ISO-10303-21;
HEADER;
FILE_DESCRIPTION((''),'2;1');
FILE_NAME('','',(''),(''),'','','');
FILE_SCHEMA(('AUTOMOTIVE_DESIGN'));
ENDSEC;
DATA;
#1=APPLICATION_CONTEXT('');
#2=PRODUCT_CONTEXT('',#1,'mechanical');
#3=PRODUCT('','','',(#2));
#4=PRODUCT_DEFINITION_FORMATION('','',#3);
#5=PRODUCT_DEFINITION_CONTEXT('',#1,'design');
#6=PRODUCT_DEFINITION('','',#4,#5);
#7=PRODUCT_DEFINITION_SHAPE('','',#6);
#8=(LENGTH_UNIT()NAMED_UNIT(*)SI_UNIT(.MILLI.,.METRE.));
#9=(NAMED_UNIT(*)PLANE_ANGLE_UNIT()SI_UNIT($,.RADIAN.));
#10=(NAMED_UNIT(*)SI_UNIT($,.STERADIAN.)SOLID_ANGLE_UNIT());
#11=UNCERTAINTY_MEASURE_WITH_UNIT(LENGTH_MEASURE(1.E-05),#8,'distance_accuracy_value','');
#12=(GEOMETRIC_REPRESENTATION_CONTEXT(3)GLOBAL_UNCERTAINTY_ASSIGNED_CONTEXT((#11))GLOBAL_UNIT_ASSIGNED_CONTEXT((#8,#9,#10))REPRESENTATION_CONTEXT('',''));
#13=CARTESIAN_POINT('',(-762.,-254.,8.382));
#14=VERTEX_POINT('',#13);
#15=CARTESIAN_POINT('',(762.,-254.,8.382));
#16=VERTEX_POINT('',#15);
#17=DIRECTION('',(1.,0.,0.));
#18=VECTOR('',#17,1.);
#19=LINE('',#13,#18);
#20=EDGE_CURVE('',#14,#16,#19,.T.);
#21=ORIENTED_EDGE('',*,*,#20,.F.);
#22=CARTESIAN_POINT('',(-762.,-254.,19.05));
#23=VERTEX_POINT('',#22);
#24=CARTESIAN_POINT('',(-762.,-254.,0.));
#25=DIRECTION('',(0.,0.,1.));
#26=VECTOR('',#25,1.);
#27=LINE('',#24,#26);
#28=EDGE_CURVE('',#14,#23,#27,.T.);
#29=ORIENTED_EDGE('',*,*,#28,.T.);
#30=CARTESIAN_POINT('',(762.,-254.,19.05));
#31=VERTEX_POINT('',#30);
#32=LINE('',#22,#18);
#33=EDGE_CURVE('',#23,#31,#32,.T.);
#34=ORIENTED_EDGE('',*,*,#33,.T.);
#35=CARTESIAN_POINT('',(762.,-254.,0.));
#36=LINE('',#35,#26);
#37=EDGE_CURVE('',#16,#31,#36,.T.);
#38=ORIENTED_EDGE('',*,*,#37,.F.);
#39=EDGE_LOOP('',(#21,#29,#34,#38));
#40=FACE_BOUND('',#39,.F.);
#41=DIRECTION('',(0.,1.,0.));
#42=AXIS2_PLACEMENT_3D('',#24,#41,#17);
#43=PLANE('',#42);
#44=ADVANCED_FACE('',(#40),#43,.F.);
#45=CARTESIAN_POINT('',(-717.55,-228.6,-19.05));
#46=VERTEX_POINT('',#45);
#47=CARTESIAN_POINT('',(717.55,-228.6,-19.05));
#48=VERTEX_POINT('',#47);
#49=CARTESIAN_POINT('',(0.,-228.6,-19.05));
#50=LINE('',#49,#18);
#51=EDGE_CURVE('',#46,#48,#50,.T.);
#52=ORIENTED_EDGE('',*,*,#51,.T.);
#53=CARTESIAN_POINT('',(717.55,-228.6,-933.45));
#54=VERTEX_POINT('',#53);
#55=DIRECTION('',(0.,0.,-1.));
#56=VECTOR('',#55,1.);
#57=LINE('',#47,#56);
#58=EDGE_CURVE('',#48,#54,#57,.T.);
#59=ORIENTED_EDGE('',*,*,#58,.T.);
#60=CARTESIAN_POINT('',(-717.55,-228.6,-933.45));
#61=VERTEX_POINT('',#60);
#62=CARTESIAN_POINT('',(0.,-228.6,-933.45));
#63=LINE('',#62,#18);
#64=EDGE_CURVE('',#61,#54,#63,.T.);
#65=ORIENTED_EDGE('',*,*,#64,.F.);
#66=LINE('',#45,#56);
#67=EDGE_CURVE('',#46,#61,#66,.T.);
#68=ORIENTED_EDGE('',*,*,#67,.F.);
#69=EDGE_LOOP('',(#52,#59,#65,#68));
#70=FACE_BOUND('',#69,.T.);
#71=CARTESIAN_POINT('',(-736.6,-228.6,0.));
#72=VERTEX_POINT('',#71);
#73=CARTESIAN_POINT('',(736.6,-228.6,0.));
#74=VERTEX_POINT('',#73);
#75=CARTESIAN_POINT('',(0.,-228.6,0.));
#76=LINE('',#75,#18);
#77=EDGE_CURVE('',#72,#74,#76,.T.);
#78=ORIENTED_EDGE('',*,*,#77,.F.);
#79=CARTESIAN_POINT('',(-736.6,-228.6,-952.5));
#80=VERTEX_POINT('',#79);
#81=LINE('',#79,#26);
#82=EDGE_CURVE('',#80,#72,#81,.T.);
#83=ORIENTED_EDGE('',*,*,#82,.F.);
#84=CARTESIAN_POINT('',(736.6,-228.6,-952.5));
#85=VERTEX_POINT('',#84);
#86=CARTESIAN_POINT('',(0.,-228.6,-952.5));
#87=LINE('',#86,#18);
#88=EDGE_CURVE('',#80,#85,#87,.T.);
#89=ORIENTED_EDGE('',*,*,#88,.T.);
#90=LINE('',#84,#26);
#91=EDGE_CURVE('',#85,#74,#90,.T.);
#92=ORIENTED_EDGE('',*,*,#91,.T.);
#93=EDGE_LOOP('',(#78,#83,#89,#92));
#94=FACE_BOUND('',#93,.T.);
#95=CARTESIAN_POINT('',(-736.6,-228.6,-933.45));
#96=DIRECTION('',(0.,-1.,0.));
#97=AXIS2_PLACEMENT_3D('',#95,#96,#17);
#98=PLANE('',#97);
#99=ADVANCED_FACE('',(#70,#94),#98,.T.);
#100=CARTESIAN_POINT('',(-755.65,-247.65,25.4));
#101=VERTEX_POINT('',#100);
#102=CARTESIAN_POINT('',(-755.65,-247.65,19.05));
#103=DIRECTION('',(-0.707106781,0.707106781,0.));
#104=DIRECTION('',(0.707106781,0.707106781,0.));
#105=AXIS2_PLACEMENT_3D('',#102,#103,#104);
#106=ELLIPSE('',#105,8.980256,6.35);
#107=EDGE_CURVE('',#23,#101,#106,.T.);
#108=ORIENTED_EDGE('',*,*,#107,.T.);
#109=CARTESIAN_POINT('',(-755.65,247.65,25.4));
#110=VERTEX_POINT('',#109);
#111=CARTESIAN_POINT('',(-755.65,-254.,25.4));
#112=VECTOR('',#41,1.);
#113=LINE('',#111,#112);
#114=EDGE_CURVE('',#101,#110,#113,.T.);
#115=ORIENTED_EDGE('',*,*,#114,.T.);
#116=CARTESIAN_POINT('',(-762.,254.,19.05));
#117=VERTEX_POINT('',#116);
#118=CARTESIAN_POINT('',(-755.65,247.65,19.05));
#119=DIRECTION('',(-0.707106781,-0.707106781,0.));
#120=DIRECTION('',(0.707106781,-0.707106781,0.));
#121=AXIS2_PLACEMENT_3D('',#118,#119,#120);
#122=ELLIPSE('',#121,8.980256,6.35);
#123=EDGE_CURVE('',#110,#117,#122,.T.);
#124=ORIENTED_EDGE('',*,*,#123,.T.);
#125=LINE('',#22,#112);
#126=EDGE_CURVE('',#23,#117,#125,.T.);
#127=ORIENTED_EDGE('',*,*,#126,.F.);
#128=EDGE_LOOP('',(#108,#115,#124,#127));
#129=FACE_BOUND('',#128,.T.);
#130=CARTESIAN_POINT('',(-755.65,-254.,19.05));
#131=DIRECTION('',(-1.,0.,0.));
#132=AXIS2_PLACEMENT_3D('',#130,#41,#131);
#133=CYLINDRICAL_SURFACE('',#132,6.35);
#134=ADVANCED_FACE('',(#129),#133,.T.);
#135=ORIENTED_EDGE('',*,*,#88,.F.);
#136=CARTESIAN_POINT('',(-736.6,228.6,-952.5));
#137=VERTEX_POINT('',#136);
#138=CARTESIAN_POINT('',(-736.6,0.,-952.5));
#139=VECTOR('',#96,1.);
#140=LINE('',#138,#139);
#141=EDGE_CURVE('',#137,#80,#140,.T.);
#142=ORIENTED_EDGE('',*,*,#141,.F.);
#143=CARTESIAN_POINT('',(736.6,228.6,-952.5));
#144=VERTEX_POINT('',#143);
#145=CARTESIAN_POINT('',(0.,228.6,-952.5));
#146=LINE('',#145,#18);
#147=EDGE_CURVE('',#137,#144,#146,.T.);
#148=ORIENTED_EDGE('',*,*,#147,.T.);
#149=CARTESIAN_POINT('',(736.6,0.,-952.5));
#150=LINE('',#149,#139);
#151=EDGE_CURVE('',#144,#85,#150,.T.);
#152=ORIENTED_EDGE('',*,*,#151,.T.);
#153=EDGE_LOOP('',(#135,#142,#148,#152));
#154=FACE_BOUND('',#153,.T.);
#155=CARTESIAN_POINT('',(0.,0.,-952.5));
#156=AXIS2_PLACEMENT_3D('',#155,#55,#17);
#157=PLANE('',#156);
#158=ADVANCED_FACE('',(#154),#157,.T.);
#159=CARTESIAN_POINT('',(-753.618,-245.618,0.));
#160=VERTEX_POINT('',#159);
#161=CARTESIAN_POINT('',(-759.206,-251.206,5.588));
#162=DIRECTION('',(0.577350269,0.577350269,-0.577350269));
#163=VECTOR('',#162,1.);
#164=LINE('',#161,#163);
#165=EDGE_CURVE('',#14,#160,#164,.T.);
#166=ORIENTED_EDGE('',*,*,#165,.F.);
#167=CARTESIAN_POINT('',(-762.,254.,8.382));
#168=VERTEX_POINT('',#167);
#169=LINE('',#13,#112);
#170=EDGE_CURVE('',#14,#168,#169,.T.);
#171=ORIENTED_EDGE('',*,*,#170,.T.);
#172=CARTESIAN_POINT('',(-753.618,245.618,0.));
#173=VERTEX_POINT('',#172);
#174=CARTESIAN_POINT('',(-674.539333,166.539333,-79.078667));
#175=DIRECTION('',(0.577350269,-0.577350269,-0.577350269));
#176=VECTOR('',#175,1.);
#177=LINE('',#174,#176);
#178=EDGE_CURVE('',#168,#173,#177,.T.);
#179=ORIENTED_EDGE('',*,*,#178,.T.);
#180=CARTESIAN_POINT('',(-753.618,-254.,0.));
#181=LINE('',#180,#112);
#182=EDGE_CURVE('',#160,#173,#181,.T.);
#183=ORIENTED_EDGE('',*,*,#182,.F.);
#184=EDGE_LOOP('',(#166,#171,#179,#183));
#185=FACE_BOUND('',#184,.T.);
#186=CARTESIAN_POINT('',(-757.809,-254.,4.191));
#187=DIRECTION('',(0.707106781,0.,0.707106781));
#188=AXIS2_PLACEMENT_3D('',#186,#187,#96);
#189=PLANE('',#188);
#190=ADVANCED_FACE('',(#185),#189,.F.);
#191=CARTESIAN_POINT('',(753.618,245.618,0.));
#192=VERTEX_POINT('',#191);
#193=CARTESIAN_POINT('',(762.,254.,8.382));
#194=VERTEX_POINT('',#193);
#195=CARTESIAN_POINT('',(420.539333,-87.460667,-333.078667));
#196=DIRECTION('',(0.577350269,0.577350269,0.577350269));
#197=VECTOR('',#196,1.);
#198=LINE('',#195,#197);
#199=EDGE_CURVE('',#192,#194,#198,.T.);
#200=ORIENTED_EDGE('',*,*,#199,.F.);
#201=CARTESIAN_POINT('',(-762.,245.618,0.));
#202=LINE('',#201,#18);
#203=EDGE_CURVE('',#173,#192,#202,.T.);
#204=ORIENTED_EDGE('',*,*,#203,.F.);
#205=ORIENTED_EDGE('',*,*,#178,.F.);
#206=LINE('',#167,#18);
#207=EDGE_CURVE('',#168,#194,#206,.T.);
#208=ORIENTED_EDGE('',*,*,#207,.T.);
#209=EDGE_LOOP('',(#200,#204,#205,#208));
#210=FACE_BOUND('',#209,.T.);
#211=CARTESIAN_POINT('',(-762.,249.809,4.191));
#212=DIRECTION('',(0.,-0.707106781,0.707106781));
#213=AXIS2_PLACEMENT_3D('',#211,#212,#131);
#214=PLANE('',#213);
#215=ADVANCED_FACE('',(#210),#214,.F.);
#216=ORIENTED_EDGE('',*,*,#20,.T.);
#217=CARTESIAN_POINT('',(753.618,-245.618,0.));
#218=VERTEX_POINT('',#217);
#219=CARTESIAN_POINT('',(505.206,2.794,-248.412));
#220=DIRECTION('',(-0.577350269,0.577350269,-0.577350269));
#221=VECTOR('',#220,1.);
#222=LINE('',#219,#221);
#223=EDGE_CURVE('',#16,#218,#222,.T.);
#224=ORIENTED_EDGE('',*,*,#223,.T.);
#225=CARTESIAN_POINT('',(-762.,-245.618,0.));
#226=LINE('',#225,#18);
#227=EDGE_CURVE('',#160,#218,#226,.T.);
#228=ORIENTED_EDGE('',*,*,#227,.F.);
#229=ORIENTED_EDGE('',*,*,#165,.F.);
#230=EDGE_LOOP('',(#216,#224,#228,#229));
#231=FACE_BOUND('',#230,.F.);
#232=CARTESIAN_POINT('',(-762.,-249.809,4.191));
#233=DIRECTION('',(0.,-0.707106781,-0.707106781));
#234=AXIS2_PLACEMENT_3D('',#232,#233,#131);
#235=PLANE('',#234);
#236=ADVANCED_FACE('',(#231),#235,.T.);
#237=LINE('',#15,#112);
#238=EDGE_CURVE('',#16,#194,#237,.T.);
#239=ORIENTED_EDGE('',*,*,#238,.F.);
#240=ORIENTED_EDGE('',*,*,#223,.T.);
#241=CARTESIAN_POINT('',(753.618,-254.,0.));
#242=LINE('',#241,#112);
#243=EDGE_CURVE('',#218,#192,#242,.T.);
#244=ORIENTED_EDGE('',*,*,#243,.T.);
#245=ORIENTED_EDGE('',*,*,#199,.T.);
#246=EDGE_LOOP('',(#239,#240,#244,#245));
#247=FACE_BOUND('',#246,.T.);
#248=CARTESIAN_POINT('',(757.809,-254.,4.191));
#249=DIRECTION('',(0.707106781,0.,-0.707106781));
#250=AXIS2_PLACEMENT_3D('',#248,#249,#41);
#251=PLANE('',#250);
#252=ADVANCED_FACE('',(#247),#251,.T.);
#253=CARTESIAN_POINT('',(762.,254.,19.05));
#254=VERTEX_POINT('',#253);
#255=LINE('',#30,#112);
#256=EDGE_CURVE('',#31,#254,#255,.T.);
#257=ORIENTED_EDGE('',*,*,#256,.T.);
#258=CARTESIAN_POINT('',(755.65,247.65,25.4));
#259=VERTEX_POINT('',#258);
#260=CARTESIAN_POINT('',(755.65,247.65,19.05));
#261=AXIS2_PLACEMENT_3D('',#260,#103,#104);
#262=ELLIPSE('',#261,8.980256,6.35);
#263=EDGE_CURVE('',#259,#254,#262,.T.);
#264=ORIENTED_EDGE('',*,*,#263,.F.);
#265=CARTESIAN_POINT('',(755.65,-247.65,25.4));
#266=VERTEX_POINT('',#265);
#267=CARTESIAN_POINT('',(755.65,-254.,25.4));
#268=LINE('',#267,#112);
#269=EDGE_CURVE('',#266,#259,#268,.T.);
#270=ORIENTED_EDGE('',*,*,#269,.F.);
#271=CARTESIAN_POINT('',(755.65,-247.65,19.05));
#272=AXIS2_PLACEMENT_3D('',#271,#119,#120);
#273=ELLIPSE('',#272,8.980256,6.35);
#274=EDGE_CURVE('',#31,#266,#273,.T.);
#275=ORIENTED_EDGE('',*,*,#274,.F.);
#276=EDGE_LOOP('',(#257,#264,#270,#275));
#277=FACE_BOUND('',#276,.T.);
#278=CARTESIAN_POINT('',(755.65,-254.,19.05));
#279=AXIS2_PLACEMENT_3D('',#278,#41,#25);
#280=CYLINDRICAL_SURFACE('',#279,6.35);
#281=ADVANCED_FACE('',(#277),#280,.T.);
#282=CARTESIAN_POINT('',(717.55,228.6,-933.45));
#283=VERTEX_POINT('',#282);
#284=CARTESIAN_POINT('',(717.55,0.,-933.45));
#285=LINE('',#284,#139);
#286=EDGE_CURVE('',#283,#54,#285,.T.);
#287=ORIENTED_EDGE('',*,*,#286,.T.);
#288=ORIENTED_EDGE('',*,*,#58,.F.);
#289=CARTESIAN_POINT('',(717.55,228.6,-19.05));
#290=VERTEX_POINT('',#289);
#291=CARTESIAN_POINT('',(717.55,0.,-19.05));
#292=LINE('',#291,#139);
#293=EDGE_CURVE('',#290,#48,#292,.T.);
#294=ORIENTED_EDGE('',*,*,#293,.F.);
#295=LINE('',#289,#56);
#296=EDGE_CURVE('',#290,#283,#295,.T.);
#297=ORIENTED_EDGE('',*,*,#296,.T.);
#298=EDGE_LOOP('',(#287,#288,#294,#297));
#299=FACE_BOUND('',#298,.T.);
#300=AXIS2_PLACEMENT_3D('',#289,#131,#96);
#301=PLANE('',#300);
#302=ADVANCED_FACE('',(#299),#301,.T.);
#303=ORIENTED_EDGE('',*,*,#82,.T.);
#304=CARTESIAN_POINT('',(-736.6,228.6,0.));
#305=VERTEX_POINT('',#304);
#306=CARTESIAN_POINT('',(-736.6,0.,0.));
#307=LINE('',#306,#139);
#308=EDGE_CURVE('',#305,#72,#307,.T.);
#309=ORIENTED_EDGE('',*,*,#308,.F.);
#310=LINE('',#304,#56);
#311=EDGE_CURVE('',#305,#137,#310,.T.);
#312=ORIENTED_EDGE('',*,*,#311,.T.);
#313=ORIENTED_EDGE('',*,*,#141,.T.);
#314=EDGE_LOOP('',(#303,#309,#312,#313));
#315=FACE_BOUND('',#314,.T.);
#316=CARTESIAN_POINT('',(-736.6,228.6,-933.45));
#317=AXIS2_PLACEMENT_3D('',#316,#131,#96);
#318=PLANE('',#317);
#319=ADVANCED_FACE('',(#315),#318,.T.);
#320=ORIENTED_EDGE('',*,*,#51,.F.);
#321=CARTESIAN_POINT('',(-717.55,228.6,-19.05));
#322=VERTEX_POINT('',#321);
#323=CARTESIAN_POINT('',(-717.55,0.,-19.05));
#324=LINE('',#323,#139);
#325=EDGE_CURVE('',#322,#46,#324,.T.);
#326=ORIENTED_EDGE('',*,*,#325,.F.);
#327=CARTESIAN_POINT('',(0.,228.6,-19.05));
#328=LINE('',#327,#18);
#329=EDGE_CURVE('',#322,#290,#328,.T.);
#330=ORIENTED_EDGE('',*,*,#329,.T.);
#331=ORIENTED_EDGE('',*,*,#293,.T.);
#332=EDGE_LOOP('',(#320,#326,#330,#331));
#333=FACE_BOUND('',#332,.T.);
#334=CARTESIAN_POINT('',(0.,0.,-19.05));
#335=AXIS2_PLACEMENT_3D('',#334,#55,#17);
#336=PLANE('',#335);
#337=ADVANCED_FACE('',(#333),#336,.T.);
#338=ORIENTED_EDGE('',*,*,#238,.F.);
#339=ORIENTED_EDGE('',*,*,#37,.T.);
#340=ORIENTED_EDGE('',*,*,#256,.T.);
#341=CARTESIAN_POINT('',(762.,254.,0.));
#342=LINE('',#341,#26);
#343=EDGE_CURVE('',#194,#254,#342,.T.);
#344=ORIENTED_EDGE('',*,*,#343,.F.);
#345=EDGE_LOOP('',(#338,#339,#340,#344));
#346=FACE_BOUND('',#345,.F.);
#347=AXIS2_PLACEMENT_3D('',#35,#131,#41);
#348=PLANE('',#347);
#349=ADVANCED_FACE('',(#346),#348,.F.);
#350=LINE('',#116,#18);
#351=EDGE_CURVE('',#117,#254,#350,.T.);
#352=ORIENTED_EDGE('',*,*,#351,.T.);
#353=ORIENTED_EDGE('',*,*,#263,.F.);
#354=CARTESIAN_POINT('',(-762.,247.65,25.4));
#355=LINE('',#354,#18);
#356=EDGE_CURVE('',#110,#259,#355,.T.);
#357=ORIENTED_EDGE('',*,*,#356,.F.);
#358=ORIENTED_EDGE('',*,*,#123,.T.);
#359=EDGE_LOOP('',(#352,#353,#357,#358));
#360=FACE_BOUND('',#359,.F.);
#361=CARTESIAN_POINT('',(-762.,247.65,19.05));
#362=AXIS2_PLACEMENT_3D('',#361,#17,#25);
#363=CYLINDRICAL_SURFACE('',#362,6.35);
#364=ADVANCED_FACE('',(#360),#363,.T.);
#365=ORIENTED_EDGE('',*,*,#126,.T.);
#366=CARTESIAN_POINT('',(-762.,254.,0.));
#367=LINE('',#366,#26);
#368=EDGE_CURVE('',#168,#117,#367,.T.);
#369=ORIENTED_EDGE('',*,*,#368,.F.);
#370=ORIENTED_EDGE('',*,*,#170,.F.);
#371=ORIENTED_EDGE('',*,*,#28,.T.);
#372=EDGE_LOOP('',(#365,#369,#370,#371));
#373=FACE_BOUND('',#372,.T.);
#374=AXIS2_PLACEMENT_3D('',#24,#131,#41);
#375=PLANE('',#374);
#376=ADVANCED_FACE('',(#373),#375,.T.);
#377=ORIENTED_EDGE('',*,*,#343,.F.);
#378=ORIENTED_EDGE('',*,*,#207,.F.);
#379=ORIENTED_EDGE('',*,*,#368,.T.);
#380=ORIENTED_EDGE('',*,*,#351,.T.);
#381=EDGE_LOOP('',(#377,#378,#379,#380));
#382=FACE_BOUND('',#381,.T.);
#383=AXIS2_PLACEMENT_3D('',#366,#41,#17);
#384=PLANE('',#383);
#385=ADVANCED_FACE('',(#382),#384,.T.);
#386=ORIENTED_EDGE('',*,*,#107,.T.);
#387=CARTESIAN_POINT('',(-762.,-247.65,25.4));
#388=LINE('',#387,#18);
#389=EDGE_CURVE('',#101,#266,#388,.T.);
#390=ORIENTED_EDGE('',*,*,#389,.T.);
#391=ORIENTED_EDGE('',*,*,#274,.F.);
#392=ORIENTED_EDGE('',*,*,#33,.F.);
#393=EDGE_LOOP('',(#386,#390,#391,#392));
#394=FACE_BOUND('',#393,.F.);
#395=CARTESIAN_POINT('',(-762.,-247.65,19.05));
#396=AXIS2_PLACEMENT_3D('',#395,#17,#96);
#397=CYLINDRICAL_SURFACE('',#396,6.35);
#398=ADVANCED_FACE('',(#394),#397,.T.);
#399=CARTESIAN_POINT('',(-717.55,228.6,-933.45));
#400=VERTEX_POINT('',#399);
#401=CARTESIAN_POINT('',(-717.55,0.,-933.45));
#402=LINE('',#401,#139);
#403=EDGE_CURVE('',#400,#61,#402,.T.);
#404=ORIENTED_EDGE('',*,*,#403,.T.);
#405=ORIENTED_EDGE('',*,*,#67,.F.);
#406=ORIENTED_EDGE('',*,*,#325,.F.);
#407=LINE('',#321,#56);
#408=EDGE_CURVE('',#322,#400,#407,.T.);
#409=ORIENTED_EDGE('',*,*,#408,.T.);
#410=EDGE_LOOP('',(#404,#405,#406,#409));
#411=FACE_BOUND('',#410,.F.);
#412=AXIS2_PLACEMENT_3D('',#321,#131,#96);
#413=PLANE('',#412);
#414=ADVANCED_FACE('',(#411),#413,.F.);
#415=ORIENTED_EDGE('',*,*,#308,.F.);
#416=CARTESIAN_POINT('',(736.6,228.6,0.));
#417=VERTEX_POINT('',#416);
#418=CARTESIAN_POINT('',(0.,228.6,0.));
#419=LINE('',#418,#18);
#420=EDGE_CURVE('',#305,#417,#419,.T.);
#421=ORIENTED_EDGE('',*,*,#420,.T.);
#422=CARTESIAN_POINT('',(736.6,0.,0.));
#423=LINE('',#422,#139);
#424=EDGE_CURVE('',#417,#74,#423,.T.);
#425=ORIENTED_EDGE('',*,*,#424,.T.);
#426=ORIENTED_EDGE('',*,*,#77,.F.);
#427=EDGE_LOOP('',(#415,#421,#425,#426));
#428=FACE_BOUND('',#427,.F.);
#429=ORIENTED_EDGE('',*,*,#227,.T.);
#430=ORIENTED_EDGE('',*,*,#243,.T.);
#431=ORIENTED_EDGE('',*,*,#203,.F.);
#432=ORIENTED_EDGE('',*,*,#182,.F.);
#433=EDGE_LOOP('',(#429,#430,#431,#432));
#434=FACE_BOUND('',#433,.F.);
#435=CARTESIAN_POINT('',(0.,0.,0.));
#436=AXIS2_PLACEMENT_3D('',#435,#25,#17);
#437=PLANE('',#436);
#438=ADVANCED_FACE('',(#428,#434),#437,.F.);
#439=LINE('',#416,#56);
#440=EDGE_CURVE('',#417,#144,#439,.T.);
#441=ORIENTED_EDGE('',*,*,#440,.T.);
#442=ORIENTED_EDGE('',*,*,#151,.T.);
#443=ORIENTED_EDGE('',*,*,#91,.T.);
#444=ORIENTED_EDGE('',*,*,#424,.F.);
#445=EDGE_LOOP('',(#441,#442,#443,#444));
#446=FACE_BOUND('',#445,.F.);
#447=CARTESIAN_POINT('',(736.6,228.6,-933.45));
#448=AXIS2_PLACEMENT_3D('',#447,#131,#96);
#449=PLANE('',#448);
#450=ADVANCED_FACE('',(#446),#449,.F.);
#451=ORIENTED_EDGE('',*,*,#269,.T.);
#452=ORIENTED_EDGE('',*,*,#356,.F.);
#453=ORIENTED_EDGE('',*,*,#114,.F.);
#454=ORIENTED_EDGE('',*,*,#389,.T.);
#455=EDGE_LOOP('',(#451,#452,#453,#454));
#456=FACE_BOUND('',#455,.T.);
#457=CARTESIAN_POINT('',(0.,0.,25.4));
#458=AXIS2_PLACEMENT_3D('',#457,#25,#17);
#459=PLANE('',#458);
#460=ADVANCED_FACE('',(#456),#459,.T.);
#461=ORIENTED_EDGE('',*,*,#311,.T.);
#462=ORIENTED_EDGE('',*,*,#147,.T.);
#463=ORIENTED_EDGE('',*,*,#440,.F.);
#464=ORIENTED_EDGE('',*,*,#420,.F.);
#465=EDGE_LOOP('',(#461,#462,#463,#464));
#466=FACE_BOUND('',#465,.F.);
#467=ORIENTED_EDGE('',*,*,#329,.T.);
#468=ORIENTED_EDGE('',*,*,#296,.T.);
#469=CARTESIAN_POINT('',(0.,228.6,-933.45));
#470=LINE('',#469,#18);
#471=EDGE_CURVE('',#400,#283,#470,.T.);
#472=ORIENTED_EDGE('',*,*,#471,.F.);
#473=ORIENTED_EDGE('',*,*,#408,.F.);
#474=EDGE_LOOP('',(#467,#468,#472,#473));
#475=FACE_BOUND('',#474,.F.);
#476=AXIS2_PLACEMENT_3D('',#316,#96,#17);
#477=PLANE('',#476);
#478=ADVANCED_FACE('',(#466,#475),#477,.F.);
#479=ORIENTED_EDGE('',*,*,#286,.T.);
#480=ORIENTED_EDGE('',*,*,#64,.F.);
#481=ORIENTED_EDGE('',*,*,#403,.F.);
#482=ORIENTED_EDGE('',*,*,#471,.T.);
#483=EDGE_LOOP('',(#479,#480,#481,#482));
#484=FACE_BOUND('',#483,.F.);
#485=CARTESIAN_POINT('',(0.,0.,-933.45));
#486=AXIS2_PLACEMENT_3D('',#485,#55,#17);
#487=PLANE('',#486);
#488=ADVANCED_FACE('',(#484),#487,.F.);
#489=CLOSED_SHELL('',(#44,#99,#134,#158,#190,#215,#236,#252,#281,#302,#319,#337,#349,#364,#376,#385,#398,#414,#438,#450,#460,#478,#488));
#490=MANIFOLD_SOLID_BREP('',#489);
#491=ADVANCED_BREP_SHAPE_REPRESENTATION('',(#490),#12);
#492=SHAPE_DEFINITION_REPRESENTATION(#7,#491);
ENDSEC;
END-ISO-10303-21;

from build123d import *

# Parameters (mm, degrees)
F0_W     = 1524
F0_H     = 508
F1_DEPTH = 25.4
F2_W     = 1473.2
F2_H     = 457.2
F3_DEPTH = 19.05
F4_SIZE  = 8.382
F5_R     = 6.35
F6_W     = 19.05
F6_H     = 457.2
F7_DEPTH = 914.4
F8_W     = 1473.2
F8_H     = 457.2
F9_DEPTH = 19.05


with BuildPart() as f1:
    # F0 (on Top) → F1 (new body)
    with BuildSketch(Plane.XY):
        Rectangle(F0_W, F0_H)
    extrude(amount=F1_DEPTH)

    # F2 (on face) → F3 (join)
    with BuildSketch(Plane(origin=(0, 0, 0), x_dir=(1, 0, 0), z_dir=(0, 0, -1))):
        Rectangle(F2_W, F2_H)
    extrude(amount=F3_DEPTH)

    # F4
    f4_edges = [f1.edges().sort_by_distance(p)[0] for p in [
        (0, -254, 0),
        (762, 0, 0),
        (0, 254, 0),
        (-762, 0, 0),
    ]]
    chamfer(f4_edges, length=F4_SIZE)

    # F5
    f5_edges = [f1.edges().sort_by_distance(p)[0] for p in [
        (0, -254, 25.4),
        (0, 254, 25.4),
        (762, 0, 25.4),
        (-762, 0, 25.4),
    ]]
    fillet(f5_edges, radius=F5_R)

    # F6 (on face) → F7 (join)
    with BuildSketch(Plane(origin=(0, 0, -19.05), x_dir=(1, 0, 0), z_dir=(0, 0, -1))):
        with Locations((727.075, 0)):
            Rectangle(F6_W, F6_H)
        with Locations((-727.075, 0)):
            Rectangle(F6_W, F6_H)
    extrude(amount=F7_DEPTH)

    # F8 (on face) → F9 (join)
    with BuildSketch(Plane(origin=(0, 0, -933.45), x_dir=(1, 0, 0), z_dir=(0, 0, -1))):
        Rectangle(F8_W, F8_H)
    extrude(amount=F9_DEPTH)


solid = f1.part
